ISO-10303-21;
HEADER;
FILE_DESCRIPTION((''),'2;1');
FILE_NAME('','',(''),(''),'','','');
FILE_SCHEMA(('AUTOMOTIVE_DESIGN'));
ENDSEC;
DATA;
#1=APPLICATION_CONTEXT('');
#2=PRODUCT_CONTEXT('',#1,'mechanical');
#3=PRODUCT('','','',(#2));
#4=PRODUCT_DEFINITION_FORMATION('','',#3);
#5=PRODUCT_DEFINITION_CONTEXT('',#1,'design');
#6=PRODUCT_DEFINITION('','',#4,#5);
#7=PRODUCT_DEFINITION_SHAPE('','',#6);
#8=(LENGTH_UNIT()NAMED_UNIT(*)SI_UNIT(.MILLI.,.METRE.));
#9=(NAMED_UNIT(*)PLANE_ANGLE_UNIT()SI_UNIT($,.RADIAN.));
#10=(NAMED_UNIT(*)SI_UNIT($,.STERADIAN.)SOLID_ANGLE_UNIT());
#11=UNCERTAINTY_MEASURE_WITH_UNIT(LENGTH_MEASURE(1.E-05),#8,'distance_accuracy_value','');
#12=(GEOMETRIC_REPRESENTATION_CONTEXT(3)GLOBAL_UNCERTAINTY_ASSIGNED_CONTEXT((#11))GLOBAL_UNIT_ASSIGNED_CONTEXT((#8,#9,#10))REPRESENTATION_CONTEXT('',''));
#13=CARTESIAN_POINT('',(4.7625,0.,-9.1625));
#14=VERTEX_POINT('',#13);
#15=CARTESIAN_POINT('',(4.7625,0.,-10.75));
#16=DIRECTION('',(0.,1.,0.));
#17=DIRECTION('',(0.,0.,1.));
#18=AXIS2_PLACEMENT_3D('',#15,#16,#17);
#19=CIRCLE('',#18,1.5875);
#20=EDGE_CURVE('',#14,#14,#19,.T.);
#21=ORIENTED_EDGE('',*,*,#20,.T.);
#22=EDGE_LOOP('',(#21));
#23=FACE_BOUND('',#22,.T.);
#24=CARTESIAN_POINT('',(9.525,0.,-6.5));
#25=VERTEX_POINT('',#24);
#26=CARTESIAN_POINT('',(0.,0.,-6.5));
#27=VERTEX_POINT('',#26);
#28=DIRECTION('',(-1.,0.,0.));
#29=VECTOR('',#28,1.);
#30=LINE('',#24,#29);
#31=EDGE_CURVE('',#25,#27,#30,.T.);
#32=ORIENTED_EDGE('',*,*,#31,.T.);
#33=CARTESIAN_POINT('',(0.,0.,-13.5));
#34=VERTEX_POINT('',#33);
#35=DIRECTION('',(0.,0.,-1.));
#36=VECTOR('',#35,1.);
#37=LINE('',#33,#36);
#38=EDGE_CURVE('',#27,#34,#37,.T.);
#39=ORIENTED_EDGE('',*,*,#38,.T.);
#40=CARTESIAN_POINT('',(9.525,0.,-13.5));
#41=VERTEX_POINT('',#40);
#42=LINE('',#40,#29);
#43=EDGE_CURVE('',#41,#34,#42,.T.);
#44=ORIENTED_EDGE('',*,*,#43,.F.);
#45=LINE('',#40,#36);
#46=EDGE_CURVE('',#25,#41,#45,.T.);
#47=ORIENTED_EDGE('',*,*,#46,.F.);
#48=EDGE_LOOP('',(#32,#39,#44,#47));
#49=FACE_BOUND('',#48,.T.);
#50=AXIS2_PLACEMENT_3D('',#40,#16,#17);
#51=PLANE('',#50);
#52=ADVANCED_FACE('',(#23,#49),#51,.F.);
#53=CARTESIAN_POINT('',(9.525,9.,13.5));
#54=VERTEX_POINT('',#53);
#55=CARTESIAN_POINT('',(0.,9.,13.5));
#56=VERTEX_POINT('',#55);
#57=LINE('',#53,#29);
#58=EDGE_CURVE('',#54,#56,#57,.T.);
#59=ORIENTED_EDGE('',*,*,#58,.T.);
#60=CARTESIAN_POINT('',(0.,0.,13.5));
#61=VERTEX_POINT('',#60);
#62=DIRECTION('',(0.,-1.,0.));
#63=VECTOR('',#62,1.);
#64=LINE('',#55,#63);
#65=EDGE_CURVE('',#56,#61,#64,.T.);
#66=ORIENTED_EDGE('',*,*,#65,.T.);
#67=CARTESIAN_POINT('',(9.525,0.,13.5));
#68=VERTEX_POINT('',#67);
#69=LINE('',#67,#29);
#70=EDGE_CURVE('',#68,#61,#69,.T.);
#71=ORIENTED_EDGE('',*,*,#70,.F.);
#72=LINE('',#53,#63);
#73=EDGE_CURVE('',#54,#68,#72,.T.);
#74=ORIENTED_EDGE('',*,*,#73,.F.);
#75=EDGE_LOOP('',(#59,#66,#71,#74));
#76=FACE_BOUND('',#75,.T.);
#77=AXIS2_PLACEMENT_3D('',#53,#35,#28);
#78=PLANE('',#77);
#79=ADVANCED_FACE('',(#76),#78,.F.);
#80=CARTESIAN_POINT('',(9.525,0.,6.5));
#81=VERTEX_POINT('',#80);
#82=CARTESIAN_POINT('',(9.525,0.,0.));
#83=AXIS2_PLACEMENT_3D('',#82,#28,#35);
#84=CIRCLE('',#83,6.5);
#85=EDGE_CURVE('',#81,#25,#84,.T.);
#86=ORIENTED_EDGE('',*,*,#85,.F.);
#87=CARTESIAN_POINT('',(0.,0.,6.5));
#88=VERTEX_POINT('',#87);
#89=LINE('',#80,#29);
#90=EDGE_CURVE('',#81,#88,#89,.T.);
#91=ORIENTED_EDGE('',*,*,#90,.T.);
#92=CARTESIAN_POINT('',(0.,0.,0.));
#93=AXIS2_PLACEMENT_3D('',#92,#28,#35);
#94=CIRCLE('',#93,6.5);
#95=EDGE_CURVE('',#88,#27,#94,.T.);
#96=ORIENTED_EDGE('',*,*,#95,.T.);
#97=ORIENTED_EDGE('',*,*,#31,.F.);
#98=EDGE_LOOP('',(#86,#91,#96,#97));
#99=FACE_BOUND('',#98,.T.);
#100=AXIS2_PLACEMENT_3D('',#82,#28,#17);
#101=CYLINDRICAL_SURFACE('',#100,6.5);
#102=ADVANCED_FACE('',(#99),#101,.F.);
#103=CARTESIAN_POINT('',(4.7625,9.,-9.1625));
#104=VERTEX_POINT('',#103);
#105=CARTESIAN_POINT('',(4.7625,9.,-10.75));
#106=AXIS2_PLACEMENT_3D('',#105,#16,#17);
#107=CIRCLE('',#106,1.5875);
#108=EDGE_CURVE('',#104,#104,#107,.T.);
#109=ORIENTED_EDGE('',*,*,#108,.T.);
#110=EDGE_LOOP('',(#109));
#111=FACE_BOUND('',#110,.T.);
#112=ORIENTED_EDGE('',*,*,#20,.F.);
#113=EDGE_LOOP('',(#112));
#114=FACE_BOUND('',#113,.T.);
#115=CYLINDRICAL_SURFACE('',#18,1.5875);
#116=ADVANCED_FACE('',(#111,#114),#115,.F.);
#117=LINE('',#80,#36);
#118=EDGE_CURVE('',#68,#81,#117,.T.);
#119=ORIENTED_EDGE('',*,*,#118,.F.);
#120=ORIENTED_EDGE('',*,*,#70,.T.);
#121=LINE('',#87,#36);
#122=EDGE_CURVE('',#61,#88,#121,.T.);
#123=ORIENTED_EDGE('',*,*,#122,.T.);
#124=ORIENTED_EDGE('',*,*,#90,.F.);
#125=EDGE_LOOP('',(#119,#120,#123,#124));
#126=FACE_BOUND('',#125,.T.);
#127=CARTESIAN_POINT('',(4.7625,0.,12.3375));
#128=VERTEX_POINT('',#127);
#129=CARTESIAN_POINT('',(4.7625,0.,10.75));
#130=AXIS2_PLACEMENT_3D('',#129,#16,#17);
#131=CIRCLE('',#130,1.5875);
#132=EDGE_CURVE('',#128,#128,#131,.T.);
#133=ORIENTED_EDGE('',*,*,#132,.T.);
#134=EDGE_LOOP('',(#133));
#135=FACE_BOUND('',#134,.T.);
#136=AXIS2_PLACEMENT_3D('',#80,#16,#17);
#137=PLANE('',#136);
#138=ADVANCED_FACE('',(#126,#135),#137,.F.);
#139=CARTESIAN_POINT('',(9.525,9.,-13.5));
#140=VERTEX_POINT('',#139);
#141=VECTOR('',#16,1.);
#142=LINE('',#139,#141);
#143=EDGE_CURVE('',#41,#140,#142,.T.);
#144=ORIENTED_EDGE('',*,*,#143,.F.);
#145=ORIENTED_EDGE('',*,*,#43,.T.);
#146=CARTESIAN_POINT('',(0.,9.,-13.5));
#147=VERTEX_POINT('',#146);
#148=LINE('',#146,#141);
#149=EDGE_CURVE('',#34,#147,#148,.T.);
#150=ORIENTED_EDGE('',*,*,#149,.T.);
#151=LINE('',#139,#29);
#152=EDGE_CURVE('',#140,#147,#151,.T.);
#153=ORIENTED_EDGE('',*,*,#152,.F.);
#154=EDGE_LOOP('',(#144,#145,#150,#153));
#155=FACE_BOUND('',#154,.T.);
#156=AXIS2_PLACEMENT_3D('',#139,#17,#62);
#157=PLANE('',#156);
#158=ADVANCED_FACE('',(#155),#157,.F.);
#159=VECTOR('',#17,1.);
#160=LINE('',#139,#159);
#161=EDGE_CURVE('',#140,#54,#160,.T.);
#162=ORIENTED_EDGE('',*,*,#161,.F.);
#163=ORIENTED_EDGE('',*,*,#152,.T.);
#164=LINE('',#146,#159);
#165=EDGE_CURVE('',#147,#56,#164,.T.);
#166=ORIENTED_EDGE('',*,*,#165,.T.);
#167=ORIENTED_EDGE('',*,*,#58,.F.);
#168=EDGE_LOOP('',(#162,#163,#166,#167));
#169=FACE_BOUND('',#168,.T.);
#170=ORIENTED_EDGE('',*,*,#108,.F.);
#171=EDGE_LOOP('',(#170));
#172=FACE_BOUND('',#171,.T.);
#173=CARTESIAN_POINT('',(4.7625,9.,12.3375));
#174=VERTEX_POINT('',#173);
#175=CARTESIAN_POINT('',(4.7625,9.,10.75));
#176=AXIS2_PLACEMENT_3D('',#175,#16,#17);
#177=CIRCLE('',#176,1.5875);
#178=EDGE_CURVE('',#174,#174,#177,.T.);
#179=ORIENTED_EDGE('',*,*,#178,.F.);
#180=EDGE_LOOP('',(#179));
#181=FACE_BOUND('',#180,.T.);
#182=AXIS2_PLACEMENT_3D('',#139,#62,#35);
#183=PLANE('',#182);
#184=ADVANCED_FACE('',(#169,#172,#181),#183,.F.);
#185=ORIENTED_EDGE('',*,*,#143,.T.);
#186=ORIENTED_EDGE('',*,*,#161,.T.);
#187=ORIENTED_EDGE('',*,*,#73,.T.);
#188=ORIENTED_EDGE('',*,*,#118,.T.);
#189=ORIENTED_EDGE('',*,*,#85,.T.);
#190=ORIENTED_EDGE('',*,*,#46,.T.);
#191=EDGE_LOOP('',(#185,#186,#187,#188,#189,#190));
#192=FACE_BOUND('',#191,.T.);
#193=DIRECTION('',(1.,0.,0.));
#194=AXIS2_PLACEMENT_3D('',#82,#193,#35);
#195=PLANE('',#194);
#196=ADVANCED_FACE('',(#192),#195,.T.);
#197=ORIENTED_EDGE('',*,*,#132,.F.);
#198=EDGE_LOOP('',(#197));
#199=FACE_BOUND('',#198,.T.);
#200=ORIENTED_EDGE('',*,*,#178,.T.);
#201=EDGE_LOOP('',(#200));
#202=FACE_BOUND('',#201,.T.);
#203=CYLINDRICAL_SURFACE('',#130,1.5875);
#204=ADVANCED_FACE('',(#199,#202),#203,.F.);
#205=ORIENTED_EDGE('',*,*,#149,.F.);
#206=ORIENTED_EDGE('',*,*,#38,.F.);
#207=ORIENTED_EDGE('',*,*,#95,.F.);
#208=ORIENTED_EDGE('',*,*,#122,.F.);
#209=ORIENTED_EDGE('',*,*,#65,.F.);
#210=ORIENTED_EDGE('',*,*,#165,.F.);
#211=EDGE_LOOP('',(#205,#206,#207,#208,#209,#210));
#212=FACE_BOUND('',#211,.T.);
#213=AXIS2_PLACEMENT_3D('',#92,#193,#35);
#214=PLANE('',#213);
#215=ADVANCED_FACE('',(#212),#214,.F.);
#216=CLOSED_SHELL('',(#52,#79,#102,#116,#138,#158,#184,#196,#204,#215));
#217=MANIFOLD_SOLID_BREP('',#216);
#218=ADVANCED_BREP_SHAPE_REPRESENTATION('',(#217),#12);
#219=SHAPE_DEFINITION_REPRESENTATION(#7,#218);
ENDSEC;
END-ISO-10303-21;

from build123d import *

# Parameters (mm, degrees)
BOSS_EXTRUDE1_DEPTH = 9.525
SKETCH2_R           = 1.5875
CUT_EXTRUDE1_DEPTH  = 19.814239953


with BuildPart() as part:
    # Sketch1 → Boss-Extrude1 (new body)
    with BuildSketch(Plane(origin=(0, 0, 0), x_dir=(0, 0, -1), z_dir=(1, 0, 0))):
        with BuildLine():
            Line((-6.5, 0), (-13.5, 0))
            Line((-13.5, 0), (-13.5, 9))
            Line((-13.5, 9), (13.5, 9))
            Line((13.5, 9), (13.5, 0))
            Line((13.5, 0), (6.5, 0))
            ThreePointArc((6.5, 0), (0, 6.5), (-6.5, 0))
        make_face()
    extrude(amount=BOSS_EXTRUDE1_DEPTH)

    # Sketch2 → Cut-Extrude1 (cut, through all)
    with BuildSketch(Plane(origin=(0, 9, 0), x_dir=(1, 0, 0), z_dir=(0, 1, 0))):
        with Locations(Location((4.7625, -10.75, 0), (0, 0, 270))):
            Circle(SKETCH2_R)
        with Locations(Location((4.7625, 10.75, 0), (0, 0, 270))):
            Circle(SKETCH2_R)
    extrude(amount=-CUT_EXTRUDE1_DEPTH, mode=Mode.SUBTRACT)


solid = part.part
